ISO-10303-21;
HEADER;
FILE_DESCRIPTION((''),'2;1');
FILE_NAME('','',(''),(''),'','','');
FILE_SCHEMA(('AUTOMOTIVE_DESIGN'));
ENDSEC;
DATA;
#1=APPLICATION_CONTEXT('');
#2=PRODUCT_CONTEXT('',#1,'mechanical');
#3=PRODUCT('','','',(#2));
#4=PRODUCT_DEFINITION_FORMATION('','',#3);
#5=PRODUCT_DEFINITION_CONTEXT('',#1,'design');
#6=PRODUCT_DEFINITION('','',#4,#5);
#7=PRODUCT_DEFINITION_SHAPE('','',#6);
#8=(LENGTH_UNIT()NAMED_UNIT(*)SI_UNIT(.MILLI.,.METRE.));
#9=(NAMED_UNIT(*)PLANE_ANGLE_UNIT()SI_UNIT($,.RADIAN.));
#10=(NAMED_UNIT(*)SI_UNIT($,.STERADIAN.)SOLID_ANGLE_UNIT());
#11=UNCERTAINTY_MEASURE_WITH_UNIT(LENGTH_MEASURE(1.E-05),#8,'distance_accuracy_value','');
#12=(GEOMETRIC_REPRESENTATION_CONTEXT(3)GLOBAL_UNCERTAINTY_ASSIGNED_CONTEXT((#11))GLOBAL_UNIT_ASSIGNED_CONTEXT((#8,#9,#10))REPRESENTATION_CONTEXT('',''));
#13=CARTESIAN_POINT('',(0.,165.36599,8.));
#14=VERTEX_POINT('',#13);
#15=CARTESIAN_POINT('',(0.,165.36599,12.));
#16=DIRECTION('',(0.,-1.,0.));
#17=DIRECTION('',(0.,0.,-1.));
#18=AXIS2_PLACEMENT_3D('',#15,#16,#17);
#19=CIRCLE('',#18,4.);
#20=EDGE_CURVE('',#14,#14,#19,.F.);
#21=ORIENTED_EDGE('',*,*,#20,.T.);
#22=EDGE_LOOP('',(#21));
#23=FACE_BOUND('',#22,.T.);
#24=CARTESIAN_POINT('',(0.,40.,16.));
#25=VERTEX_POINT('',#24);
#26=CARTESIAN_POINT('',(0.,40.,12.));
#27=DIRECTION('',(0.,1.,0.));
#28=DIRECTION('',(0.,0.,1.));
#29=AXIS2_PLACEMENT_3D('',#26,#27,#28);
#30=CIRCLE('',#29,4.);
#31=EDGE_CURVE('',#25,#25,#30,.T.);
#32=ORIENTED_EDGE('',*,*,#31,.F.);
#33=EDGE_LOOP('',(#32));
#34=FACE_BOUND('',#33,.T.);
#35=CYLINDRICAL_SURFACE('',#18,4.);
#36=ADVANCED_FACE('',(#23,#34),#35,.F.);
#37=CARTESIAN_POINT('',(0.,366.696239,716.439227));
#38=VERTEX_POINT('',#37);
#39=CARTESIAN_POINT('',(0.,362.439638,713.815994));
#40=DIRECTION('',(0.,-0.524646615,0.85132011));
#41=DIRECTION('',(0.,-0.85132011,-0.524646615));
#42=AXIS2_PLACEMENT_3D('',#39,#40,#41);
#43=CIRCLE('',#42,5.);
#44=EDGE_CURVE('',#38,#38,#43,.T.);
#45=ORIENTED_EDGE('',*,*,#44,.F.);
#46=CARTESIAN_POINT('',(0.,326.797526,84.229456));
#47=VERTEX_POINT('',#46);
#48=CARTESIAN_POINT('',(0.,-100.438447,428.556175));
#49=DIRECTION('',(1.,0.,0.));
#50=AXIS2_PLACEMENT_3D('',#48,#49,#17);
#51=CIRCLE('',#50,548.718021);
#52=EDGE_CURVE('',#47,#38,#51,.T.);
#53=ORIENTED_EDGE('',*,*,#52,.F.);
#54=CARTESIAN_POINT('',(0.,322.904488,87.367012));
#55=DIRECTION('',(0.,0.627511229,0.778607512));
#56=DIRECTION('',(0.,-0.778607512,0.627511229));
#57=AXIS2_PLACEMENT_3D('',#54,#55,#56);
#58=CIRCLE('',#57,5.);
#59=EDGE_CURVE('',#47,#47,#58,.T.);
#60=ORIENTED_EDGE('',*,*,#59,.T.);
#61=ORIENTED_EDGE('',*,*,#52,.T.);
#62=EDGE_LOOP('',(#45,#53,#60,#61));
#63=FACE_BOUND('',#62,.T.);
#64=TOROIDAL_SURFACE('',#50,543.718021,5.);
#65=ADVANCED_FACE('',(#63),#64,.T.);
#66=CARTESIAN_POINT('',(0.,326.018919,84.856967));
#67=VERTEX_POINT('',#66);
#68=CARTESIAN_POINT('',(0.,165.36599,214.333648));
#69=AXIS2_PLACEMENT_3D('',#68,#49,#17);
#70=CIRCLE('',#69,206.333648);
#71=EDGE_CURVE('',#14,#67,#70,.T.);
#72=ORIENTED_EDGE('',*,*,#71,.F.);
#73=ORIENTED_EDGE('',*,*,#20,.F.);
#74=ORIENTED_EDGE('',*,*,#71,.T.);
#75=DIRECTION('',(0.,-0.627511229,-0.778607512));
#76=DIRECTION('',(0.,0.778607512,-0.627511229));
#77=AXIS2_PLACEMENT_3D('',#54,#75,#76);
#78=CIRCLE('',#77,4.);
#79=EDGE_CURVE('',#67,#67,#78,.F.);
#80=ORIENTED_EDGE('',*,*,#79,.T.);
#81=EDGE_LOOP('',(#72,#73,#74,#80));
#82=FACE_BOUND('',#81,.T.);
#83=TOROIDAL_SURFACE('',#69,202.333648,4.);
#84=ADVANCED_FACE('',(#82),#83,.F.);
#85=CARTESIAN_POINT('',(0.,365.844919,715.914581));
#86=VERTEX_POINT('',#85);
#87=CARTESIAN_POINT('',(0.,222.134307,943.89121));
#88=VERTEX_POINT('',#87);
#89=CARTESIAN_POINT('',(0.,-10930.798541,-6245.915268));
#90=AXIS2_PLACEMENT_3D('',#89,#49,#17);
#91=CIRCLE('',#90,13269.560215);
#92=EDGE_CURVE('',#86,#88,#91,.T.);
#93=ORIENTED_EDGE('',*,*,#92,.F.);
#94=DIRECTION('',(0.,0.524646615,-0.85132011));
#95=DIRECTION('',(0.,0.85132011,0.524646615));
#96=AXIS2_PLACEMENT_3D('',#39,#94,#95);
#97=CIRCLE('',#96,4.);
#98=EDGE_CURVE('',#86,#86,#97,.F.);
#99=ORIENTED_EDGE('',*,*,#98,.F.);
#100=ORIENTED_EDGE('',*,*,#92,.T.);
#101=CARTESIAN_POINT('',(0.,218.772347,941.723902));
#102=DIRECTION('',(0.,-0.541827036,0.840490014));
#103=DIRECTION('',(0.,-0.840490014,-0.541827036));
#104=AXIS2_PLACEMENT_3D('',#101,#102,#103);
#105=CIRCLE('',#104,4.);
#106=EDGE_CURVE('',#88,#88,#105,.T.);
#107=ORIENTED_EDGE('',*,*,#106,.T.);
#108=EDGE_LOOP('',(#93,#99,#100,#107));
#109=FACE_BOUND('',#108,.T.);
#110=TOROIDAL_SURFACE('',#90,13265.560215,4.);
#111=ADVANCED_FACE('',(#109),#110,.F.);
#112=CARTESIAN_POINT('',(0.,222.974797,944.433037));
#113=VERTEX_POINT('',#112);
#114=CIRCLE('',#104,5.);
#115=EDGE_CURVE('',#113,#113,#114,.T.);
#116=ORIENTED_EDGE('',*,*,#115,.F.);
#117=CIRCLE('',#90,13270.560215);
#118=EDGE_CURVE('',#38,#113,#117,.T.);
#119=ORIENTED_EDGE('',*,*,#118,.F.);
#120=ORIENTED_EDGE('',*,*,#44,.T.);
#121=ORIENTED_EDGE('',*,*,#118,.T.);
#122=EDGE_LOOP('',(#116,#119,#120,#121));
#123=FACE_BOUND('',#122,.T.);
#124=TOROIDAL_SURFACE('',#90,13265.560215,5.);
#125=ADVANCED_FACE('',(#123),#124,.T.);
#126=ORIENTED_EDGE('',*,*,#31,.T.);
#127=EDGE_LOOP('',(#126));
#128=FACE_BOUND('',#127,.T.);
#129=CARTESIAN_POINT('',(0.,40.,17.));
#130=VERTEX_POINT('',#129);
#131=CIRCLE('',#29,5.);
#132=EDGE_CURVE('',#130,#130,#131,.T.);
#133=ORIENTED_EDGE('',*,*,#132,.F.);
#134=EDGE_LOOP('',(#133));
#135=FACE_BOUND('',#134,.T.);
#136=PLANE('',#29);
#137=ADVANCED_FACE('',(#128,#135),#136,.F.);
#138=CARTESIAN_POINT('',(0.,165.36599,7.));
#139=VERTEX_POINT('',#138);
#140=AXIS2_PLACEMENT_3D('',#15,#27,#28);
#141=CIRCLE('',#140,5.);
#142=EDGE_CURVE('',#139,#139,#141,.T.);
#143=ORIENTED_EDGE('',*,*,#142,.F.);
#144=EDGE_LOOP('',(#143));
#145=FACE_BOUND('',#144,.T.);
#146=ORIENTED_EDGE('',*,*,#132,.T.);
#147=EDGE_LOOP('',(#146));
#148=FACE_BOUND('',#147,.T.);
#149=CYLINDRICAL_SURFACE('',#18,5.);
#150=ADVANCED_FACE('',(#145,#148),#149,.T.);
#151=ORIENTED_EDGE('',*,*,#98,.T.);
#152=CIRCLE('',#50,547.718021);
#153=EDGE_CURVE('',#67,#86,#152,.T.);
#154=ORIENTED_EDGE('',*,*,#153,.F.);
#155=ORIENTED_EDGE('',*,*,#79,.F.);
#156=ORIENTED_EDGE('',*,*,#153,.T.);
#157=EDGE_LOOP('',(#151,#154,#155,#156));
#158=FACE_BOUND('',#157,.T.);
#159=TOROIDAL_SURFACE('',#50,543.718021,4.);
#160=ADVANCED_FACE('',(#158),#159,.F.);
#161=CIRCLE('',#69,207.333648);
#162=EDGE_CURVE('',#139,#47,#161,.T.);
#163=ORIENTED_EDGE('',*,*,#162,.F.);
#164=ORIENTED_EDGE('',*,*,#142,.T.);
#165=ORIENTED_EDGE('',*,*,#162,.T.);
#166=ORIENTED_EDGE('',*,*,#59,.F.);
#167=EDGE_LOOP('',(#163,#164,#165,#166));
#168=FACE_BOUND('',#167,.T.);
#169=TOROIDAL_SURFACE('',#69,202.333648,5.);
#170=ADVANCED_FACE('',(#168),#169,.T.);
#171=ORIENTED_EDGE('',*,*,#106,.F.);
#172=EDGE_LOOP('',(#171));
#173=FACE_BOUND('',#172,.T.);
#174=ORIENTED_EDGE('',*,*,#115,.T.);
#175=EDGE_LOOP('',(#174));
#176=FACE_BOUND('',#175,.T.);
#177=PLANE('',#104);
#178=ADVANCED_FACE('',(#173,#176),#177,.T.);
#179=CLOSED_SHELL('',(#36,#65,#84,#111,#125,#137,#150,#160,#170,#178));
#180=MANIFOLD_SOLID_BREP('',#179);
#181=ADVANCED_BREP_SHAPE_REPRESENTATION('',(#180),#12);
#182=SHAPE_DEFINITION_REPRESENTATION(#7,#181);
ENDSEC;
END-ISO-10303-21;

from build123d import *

# Parameters (mm, degrees)
CROQUIS7_R = 5
VACIADO2_T = -1


with BuildPart() as part:
    # Barrer1: sweep along a path in Croquis5
    with BuildLine(Plane(origin=(0, 0, 0), x_dir=(0, 0, -1), z_dir=(1, 0, 0))) as barrer1_path:
        Line((-12, 40), (-12, 165.365990192))
        ThreePointArc((-12, 165.365990192), (-31.81169347, 252.685181838), (-87.367011893, 322.904488462))
        ThreePointArc((-87.367011893, 322.904488462), (-394.310300944, 442.200020465), (-713.815994308, 362.439638334))
        ThreePointArc((-713.815994308, 362.439638334), (-828.134675977, 291.184581817), (-941.723901996, 218.772346732))
    # Croquis7 → Barrer1 (sweep)
    with BuildSketch(Plane(origin=(0, 40, 12), x_dir=(-1, 0, 0), z_dir=(0, 1, 0))):
        Circle(CROQUIS7_R)
    sweep(path=barrer1_path.line)

    # Vaciado2
    vaciado2_openings = [part.faces().sort_by_distance(p)[0] for p in [
        (0, 218.772346732, 941.723901996),
        (0, 40, 12),
    ]]
    offset(amount=VACIADO2_T, openings=vaciado2_openings, kind=Kind.INTERSECTION)


solid = part.part
